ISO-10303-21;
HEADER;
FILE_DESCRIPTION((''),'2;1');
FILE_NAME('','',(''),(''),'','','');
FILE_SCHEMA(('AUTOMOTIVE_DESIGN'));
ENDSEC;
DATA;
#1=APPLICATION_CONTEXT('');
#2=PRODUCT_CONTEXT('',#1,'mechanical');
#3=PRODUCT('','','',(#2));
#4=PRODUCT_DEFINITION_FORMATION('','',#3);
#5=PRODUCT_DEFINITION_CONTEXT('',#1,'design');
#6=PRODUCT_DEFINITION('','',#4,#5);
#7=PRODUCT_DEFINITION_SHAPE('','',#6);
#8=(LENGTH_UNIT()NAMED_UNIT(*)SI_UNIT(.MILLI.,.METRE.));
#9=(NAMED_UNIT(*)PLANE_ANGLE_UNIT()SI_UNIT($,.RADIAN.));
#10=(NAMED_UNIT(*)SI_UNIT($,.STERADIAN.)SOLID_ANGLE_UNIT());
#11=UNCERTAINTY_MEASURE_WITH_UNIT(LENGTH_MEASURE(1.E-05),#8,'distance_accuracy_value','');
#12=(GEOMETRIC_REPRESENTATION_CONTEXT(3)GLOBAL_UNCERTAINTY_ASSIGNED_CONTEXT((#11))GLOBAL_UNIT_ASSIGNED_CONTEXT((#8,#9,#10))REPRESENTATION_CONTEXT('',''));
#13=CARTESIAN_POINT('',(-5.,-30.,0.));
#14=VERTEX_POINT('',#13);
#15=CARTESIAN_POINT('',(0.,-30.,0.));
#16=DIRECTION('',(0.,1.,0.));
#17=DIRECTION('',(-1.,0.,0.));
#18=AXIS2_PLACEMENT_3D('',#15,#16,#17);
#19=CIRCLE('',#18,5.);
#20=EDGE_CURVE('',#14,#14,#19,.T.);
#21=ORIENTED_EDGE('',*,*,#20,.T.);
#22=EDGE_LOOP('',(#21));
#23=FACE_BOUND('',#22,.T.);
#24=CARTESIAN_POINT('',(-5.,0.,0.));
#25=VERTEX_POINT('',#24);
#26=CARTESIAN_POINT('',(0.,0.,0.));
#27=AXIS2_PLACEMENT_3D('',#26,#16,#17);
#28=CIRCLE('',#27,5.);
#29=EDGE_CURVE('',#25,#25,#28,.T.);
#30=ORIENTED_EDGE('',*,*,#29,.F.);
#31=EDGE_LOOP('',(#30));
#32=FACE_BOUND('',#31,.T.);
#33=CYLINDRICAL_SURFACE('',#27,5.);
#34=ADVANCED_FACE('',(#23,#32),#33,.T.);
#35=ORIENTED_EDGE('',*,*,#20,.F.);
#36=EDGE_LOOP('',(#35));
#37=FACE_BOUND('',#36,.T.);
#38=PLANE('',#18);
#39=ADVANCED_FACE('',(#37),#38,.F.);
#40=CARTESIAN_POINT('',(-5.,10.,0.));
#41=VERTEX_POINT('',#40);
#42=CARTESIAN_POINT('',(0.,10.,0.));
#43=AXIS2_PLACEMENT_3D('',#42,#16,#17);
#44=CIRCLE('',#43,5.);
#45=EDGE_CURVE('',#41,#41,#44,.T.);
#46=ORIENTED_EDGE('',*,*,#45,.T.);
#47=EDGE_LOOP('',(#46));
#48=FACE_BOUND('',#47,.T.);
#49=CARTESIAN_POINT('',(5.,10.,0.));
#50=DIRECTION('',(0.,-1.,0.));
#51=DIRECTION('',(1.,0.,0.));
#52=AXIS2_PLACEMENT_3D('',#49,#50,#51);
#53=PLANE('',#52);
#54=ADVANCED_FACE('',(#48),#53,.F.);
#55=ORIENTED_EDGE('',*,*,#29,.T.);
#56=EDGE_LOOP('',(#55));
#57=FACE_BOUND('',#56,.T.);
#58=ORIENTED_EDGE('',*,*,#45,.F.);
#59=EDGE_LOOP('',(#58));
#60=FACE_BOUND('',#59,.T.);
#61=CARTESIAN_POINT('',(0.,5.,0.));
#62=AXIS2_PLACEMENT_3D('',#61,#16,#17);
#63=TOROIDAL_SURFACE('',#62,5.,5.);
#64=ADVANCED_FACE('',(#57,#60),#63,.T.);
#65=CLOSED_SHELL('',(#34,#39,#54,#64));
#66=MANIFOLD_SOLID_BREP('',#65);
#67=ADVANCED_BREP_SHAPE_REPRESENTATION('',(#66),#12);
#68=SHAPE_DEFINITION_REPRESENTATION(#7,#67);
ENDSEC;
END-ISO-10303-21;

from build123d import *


with BuildPart() as part:
    # Sketch1 → Revolve1 (revolve)
    with BuildSketch(Plane.XY):
        with BuildLine():
            Line((0, 0), (0, 10))
            Line((0, 10), (5, 10))
            ThreePointArc((5, 10), (10, 5), (5, 0))
            Line((5, 0), (5, -30))
            Line((5, -30), (0, -30))
            Line((0, -30), (0, 0))
        make_face()
    revolve(axis=Axis((0, 0, 0), (0, -1, 0)))


solid = part.part
